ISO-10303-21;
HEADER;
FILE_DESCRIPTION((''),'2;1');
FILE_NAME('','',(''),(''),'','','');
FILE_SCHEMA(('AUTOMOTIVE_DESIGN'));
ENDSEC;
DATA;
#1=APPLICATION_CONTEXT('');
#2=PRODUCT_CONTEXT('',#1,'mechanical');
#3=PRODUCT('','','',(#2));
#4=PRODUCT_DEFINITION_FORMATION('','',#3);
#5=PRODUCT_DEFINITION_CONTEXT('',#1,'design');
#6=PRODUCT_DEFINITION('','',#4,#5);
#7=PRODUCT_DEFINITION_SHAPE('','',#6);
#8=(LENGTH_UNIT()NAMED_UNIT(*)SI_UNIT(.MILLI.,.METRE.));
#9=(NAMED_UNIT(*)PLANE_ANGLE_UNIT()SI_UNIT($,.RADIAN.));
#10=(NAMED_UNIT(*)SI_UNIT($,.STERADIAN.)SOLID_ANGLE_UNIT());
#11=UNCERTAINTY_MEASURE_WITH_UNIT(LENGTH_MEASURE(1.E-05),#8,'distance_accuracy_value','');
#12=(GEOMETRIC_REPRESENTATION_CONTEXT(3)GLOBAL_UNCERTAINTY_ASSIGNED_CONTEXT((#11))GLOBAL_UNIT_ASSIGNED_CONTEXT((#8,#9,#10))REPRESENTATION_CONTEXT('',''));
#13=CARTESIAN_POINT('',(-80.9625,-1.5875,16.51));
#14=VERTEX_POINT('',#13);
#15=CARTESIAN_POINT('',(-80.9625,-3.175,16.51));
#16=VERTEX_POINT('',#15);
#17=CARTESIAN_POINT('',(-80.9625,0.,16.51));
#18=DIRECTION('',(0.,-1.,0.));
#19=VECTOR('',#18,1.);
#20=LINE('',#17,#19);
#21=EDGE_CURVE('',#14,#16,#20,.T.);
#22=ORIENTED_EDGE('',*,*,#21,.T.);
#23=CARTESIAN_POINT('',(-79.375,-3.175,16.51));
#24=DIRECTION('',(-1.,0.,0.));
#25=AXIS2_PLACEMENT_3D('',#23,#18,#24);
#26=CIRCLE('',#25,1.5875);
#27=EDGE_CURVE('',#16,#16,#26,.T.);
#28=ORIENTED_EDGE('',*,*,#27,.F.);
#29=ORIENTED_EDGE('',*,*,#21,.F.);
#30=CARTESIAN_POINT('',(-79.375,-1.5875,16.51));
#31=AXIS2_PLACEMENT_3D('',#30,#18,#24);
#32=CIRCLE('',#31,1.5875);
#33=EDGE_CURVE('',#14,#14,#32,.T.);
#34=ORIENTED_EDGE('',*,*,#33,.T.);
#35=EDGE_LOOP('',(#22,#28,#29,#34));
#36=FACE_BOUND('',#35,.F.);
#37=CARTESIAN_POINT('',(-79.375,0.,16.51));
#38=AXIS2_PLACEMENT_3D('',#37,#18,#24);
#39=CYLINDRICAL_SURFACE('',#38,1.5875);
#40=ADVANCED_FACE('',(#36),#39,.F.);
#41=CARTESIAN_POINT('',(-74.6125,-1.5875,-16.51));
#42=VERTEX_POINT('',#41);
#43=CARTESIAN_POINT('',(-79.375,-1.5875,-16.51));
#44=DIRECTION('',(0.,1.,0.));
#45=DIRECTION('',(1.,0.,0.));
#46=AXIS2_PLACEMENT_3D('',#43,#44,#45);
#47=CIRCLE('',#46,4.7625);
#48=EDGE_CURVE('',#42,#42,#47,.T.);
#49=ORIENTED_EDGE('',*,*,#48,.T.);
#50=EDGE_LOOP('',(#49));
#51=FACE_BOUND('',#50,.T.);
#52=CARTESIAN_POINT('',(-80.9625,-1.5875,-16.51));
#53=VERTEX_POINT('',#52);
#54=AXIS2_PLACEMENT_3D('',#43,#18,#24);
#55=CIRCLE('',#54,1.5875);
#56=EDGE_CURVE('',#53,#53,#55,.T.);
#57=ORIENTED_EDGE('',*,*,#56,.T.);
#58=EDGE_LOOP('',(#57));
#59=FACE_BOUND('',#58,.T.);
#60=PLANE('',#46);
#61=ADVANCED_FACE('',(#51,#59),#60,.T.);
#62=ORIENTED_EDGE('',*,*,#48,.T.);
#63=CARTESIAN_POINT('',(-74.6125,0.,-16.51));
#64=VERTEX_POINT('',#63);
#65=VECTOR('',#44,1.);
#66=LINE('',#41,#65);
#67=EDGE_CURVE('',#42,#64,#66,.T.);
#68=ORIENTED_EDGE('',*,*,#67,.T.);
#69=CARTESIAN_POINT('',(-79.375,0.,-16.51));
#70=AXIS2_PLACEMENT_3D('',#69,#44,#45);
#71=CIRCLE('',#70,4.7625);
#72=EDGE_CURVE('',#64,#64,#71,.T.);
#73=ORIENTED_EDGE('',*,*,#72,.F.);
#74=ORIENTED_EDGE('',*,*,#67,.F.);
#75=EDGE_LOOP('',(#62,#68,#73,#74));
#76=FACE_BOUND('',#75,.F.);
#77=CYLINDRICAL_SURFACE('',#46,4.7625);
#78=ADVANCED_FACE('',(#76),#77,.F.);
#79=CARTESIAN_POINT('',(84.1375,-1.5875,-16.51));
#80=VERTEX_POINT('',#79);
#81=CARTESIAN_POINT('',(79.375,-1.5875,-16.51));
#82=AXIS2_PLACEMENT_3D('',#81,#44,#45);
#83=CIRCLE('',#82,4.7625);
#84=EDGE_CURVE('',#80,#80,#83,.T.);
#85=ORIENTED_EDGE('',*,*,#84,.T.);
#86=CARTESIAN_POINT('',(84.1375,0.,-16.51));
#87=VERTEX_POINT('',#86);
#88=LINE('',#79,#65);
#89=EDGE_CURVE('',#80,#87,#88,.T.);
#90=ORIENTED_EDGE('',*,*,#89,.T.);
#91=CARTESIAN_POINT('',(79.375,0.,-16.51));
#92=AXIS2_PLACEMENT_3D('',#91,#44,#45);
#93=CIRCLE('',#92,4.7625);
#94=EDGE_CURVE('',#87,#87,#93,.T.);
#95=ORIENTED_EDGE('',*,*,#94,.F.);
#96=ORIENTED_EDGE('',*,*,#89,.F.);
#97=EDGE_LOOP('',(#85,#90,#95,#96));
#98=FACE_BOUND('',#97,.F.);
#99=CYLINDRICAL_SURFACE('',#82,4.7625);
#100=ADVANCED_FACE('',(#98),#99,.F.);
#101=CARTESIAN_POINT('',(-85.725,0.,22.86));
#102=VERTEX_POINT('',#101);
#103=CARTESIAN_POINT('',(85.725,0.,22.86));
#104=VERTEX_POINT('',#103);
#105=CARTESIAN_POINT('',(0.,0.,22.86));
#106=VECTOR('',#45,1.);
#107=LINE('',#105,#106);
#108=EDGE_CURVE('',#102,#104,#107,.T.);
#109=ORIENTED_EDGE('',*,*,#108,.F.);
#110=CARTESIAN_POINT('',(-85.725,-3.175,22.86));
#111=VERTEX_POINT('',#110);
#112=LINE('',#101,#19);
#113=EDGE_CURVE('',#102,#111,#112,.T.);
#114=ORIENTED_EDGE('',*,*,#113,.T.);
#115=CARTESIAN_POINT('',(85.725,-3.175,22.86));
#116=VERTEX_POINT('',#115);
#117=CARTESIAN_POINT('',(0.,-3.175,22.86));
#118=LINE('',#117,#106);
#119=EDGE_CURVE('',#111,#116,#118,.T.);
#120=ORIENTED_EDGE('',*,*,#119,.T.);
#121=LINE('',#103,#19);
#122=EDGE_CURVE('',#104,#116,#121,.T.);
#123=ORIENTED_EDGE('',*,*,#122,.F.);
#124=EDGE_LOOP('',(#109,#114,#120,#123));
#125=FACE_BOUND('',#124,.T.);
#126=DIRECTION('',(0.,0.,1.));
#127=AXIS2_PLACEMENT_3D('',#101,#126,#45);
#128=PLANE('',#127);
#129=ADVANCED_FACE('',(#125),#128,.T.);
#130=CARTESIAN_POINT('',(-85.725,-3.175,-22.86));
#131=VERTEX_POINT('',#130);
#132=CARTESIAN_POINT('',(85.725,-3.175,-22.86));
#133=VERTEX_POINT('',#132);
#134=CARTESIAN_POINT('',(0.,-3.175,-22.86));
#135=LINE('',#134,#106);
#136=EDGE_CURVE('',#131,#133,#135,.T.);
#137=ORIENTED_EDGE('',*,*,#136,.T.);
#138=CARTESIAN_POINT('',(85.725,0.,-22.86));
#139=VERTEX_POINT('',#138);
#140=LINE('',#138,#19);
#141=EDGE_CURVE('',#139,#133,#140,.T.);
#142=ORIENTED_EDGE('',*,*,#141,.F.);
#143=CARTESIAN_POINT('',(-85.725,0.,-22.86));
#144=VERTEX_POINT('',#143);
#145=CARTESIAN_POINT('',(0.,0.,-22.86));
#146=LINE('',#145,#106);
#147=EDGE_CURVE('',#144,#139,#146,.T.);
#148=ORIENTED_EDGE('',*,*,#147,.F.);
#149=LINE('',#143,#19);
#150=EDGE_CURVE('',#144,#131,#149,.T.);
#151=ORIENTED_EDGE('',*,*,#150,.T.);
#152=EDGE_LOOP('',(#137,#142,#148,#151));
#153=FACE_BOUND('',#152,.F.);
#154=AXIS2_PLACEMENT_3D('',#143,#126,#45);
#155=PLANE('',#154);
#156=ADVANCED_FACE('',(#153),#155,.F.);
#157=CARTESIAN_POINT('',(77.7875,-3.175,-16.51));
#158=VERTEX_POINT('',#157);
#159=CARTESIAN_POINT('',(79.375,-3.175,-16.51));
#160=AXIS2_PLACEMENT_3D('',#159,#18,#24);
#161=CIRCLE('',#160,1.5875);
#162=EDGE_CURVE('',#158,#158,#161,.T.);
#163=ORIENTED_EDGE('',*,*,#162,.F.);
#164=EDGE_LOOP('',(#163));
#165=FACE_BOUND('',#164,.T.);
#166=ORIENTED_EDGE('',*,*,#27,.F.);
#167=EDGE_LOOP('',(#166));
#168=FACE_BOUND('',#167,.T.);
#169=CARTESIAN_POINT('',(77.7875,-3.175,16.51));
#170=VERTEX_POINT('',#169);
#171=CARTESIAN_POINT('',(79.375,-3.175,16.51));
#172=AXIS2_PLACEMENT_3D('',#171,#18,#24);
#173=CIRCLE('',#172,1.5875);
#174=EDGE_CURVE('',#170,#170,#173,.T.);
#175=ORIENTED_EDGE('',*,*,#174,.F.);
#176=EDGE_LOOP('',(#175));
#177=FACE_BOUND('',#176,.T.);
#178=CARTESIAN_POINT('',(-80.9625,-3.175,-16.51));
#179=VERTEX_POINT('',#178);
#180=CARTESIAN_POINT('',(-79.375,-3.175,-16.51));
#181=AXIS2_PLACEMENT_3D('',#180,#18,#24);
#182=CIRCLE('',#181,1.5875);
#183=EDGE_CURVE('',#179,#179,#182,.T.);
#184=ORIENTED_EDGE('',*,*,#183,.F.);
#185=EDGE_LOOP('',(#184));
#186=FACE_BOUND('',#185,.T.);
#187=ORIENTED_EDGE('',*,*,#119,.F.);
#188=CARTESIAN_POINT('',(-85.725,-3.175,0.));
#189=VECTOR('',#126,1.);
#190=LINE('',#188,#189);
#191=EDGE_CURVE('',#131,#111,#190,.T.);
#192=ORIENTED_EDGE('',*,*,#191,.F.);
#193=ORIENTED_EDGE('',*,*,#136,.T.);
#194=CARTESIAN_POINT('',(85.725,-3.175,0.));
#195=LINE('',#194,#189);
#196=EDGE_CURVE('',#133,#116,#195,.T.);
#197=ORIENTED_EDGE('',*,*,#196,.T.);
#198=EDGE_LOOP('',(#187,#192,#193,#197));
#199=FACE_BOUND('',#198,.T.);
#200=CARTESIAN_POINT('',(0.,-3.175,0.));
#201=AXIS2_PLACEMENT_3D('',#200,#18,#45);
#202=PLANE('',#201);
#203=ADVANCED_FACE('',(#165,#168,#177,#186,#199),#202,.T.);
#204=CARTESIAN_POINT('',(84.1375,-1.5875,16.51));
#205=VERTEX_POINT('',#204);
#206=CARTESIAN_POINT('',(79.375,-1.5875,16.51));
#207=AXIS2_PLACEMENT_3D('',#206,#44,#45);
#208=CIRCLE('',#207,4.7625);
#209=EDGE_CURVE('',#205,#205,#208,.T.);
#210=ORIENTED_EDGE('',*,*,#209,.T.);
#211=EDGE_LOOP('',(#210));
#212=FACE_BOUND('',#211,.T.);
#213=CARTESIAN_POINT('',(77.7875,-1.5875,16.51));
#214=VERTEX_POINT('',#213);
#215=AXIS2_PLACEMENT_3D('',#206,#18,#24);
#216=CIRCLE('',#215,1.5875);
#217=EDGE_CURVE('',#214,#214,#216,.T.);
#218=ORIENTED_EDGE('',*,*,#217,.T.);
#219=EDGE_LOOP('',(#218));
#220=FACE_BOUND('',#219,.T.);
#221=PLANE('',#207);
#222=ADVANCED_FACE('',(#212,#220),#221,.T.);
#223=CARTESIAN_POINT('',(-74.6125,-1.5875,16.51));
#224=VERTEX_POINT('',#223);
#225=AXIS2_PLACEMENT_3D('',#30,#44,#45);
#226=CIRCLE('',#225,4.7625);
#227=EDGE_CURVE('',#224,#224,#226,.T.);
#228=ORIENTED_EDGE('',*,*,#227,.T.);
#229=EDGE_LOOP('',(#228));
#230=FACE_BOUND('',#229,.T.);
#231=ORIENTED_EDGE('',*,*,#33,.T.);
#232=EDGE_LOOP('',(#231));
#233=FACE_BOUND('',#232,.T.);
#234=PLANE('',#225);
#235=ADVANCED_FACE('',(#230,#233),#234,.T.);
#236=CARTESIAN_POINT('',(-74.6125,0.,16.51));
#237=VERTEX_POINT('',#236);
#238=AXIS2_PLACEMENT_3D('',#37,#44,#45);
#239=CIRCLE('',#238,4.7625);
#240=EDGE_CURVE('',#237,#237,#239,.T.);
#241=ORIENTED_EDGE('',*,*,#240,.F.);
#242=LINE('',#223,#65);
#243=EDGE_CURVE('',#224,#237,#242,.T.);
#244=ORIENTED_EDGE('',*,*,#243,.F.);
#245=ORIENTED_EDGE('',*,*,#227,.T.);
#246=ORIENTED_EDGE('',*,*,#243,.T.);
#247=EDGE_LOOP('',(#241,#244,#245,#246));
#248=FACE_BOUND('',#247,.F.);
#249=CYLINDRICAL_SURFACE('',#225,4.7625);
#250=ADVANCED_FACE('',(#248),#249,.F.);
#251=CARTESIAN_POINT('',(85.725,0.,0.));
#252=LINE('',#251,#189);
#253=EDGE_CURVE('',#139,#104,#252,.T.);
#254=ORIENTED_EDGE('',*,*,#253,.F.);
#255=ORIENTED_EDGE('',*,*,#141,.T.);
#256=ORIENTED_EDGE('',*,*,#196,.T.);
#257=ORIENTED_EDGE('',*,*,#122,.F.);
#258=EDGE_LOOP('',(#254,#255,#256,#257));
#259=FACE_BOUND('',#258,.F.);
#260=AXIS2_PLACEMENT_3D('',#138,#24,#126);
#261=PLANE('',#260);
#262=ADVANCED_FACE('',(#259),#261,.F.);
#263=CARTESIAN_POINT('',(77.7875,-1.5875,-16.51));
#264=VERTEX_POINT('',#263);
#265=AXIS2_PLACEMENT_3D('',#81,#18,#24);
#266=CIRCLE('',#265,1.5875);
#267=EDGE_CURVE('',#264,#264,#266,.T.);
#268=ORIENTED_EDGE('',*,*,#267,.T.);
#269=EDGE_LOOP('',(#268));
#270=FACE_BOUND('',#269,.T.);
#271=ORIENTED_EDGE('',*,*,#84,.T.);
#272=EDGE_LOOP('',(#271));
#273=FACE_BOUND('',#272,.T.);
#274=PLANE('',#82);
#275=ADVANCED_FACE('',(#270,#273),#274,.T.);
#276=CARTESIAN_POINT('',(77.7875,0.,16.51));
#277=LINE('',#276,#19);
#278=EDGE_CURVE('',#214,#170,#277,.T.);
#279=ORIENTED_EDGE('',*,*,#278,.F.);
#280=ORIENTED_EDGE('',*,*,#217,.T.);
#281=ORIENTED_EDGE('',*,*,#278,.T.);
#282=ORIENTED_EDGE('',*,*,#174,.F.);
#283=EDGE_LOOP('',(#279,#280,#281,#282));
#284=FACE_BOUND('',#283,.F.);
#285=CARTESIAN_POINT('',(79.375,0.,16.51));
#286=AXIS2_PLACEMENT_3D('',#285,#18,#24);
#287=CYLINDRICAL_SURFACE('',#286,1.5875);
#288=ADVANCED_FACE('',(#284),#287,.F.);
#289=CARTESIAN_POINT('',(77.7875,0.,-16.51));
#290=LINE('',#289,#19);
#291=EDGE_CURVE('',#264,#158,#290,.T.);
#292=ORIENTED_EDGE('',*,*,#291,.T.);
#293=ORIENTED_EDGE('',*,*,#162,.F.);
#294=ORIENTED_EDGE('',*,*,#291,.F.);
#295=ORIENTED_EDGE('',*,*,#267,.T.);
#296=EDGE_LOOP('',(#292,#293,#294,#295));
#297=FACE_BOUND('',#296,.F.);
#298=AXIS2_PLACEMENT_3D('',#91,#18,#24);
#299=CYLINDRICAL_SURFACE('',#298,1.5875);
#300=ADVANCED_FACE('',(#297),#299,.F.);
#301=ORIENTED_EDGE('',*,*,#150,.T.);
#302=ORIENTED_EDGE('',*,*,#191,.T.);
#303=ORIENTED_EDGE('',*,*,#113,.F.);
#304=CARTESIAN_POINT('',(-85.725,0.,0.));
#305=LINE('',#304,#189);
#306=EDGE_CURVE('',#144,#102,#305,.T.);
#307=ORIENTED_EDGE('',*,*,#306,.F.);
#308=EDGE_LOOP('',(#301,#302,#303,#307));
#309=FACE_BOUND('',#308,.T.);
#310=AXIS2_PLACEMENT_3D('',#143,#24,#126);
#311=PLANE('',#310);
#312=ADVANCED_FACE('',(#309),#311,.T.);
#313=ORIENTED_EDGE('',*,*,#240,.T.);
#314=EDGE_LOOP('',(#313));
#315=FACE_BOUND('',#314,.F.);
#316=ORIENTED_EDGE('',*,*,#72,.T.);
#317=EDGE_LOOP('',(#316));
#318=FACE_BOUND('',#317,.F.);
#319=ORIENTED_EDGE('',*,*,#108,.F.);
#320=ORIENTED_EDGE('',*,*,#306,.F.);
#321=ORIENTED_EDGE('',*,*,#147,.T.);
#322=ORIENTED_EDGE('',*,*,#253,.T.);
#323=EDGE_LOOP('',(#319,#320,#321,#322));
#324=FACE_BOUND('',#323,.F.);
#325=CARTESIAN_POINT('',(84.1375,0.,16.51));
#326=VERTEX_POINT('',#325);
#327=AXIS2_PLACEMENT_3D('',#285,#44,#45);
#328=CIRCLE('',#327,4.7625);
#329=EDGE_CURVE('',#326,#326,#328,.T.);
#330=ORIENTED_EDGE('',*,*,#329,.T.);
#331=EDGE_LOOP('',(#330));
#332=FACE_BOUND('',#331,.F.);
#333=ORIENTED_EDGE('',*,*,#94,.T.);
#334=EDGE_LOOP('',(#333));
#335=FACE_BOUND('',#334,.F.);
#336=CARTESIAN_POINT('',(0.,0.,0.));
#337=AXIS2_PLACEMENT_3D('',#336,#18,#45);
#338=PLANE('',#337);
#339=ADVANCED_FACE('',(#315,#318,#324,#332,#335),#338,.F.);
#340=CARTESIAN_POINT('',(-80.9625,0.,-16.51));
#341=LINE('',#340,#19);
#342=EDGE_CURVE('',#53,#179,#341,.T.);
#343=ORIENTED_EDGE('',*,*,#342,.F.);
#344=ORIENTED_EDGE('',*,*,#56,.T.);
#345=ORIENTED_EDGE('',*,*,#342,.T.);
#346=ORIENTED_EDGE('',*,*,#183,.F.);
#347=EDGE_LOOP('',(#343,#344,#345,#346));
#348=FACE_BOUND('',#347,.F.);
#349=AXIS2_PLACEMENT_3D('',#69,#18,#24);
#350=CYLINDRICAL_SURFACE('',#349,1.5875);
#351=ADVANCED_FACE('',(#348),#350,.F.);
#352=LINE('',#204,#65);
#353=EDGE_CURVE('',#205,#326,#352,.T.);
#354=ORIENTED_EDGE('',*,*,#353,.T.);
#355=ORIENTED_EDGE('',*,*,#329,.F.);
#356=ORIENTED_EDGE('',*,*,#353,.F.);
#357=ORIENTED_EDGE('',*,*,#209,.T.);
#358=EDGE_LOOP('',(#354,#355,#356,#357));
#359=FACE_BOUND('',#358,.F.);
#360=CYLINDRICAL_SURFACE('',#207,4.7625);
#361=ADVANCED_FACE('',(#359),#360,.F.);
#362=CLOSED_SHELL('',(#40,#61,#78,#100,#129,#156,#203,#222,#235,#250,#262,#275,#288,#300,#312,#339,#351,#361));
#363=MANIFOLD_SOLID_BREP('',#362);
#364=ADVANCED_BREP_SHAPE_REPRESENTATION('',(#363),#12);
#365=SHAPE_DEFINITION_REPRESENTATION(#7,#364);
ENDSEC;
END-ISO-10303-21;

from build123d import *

# Parameters (mm, degrees)
F0_W           = 171.45
F0_H           = 45.72
F1_DEPTH       = 3.175
F3_D           = 3.175
F3_CBORE_D     = 9.525
F3_CBORE_DEPTH = 1.5875


with BuildPart() as f1:
    # F0 (on Front) → F1 (new body)
    with BuildSketch(Plane.XZ):
        Rectangle(F0_W, F0_H)
    extrude(amount=F1_DEPTH)

    # F3 (through all)
    with Locations(Plane(origin=(0, 0, 0), x_dir=(1, 0, 0), z_dir=(0, 1, 0))):
        with Locations((-79.375, 16.51), (79.375, 16.51), (79.375, -16.51), (-79.375, -16.51)):
            CounterBoreHole(F3_D / 2, F3_CBORE_D / 2, F3_CBORE_DEPTH)


solid = f1.part
